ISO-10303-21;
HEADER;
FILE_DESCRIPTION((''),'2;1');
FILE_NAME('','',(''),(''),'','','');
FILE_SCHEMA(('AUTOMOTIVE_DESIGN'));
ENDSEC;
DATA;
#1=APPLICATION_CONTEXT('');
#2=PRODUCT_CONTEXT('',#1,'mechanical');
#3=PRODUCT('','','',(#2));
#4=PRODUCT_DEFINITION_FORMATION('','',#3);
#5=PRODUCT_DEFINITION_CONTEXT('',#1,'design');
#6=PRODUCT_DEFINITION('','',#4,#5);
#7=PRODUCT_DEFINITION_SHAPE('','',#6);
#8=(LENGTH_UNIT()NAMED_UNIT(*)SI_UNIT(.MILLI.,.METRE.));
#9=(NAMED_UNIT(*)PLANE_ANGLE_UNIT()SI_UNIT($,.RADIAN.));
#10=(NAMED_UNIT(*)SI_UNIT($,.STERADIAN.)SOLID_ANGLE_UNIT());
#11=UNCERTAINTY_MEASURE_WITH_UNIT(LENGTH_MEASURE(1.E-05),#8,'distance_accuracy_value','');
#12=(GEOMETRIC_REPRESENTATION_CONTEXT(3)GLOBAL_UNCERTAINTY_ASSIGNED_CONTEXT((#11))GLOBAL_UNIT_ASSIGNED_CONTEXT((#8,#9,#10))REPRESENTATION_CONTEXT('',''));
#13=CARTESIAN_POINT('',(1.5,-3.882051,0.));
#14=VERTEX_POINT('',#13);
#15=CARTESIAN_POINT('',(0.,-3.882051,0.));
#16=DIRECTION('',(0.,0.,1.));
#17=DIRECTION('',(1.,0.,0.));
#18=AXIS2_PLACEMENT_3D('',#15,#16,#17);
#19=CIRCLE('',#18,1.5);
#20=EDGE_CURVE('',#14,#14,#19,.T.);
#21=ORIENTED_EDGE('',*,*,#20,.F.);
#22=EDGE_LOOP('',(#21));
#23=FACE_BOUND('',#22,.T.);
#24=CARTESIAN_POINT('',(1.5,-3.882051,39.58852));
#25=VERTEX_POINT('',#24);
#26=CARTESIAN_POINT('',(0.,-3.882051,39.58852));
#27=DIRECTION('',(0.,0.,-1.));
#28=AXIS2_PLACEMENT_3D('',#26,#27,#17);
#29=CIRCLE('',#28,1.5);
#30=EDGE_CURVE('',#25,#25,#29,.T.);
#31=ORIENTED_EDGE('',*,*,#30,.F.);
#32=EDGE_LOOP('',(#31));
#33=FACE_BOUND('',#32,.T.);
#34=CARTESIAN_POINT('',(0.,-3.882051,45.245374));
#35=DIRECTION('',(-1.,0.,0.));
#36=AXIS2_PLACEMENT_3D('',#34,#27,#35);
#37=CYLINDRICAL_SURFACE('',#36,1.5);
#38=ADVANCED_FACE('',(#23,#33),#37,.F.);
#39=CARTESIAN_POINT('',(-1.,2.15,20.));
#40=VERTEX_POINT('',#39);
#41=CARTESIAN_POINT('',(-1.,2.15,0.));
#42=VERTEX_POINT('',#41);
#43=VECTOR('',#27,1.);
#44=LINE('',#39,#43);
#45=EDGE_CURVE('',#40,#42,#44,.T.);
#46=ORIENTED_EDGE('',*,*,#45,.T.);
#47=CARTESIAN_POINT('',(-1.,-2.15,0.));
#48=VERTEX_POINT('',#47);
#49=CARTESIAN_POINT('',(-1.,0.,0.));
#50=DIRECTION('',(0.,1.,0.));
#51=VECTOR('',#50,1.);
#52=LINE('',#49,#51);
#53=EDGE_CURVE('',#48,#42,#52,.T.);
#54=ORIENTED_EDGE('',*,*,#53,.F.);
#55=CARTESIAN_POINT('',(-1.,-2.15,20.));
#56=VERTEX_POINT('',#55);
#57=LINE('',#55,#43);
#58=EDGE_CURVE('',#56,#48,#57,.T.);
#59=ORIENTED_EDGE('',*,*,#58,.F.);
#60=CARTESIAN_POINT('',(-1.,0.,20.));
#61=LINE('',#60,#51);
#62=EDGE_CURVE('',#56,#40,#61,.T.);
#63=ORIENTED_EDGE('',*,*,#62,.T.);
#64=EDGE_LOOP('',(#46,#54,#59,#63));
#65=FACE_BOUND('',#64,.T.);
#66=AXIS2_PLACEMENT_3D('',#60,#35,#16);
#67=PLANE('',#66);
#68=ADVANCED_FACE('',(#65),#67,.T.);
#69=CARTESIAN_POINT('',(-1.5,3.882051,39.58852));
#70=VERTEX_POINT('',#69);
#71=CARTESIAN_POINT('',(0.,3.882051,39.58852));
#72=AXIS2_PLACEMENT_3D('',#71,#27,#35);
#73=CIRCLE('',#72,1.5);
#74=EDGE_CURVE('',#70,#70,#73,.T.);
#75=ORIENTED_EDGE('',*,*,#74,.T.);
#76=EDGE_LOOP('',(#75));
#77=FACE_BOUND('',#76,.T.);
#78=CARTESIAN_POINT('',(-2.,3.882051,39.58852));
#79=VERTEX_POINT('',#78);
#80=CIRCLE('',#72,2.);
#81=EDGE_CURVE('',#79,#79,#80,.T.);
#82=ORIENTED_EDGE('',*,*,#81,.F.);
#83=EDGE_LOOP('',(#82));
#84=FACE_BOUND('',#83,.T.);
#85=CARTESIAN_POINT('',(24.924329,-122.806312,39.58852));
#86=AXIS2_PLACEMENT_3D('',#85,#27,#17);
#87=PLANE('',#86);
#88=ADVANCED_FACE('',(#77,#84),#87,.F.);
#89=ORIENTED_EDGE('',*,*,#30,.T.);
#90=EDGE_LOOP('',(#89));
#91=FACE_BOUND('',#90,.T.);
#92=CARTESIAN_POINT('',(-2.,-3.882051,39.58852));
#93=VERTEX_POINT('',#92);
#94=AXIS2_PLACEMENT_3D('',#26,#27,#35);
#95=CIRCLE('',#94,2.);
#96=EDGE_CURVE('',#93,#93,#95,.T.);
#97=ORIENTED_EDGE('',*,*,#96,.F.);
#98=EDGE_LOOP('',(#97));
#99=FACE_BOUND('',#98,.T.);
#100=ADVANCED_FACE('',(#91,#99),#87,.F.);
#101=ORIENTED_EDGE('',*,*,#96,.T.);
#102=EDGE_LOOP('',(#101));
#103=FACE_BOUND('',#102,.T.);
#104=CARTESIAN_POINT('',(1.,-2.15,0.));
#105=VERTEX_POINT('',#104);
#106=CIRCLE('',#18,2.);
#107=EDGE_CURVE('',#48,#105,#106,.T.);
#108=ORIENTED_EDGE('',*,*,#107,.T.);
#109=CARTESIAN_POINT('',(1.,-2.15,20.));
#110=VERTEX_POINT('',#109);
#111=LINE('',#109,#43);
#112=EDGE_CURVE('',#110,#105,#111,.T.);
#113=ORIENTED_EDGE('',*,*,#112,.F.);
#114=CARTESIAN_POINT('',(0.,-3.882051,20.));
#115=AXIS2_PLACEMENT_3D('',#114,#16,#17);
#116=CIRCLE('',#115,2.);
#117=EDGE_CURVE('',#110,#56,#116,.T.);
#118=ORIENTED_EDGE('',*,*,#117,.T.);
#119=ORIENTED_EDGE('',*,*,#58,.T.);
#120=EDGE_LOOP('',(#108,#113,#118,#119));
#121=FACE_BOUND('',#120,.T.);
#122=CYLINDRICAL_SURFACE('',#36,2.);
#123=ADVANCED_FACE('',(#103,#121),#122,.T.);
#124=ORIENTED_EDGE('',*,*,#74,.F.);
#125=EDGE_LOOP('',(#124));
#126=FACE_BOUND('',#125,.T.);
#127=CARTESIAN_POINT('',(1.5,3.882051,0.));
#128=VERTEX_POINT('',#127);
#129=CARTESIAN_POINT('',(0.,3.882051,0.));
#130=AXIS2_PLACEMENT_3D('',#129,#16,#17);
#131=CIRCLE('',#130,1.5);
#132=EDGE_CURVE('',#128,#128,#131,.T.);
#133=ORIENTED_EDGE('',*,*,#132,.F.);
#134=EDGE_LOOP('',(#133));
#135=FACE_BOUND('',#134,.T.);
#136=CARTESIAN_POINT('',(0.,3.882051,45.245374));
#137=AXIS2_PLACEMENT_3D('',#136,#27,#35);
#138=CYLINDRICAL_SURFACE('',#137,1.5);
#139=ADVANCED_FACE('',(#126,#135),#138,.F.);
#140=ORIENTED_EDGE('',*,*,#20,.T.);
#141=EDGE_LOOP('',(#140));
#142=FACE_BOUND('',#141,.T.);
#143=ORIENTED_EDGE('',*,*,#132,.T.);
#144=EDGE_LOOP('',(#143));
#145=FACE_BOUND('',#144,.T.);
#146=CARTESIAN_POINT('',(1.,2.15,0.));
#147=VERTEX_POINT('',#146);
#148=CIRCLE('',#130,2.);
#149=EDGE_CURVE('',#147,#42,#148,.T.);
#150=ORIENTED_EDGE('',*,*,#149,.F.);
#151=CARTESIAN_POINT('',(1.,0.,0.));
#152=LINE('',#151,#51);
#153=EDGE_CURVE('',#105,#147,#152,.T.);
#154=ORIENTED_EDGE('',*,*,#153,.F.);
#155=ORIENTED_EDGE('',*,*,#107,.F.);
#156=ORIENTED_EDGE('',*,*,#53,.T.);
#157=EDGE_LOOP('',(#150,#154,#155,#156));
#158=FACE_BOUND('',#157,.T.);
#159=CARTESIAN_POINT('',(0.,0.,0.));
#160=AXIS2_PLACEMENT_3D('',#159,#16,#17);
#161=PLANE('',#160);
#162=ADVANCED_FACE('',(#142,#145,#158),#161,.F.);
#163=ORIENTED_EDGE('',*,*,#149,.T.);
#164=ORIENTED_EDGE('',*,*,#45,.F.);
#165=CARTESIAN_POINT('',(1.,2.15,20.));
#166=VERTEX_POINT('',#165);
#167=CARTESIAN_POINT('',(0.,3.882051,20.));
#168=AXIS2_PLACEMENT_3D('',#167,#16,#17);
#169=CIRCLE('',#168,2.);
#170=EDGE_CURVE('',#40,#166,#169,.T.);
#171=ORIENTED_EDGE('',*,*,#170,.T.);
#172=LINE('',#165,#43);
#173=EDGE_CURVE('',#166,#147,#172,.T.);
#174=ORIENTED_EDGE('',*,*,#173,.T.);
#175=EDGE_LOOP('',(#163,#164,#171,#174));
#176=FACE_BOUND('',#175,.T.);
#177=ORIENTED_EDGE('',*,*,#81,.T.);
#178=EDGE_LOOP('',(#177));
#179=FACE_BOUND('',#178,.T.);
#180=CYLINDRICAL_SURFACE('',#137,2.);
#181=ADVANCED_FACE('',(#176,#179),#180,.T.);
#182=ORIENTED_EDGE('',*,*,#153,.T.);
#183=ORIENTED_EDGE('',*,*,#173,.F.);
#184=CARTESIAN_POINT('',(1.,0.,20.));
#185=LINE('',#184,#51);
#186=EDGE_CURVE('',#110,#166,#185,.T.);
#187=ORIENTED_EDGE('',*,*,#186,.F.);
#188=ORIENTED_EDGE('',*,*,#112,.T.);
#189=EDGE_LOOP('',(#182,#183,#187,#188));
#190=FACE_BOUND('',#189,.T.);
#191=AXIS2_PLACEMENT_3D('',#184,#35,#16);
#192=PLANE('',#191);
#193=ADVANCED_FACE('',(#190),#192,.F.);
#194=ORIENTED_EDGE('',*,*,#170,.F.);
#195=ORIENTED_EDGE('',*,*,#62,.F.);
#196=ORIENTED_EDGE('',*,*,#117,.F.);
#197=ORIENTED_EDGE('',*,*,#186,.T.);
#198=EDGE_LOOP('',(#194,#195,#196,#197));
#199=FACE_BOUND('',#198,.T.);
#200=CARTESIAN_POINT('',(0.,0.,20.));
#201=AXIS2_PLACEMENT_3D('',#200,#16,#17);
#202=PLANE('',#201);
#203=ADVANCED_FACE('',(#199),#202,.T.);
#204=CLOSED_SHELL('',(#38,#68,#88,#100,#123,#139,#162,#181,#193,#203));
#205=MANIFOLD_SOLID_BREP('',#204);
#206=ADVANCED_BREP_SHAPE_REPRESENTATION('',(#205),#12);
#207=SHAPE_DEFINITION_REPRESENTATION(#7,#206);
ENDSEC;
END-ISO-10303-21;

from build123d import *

# Parameters (mm, degrees)
ESQUISSE1_R          = 2
ESQUISSE1_R_2        = 1.5
BOSS_EXTRU_1_DEPTH   = 39.58852
BOSS_EXTRU_1_2_DEPTH = 39.58852
BOSS_EXTRU_2_DEPTH   = 20


with BuildPart() as part:
    # Esquisse1 → Boss.-Extru.1 (new body)
    with BuildSketch(Plane.XY):
        with Locations(Location((0, 3.882050808, 0), (0, 0, 180))):
            Circle(ESQUISSE1_R)
        with Locations(Location((0, 3.882050808, 0), (0, 0, 180))):
            Circle(ESQUISSE1_R_2, mode=Mode.SUBTRACT)
    extrude(amount=BOSS_EXTRU_1_DEPTH)



with BuildPart() as body_2:
    # Esquisse1 → Boss.-Extru.1 2 (new body)
    with BuildSketch(Plane.XY):
        with Locations(Location((0, -3.882050808, 0), (0, 0, 180))):
            Circle(ESQUISSE1_R)
        with Locations((0, -3.882050808)):
            Circle(ESQUISSE1_R_2, mode=Mode.SUBTRACT)
    extrude(amount=BOSS_EXTRU_1_2_DEPTH)


with BuildPart() as part_1:
    add(part.part)

    add(body_2.part)  # Boss.-Extru.2 merges body 2
    # Esquisse1<3> → Boss.-Extru.2 (add)
    with BuildSketch(Plane.XY):
        with BuildLine():
            ThreePointArc((-1, -2.15), (0, -1.882050808), (1, -2.15))
            Line((1, -2.15), (1, 2.15))
            ThreePointArc((1, 2.15), (0, 1.882050808), (-1, 2.15))
            Line((-1, 2.15), (-1, -2.15))
        make_face()
    extrude(amount=BOSS_EXTRU_2_DEPTH)


solid = part_1.part
